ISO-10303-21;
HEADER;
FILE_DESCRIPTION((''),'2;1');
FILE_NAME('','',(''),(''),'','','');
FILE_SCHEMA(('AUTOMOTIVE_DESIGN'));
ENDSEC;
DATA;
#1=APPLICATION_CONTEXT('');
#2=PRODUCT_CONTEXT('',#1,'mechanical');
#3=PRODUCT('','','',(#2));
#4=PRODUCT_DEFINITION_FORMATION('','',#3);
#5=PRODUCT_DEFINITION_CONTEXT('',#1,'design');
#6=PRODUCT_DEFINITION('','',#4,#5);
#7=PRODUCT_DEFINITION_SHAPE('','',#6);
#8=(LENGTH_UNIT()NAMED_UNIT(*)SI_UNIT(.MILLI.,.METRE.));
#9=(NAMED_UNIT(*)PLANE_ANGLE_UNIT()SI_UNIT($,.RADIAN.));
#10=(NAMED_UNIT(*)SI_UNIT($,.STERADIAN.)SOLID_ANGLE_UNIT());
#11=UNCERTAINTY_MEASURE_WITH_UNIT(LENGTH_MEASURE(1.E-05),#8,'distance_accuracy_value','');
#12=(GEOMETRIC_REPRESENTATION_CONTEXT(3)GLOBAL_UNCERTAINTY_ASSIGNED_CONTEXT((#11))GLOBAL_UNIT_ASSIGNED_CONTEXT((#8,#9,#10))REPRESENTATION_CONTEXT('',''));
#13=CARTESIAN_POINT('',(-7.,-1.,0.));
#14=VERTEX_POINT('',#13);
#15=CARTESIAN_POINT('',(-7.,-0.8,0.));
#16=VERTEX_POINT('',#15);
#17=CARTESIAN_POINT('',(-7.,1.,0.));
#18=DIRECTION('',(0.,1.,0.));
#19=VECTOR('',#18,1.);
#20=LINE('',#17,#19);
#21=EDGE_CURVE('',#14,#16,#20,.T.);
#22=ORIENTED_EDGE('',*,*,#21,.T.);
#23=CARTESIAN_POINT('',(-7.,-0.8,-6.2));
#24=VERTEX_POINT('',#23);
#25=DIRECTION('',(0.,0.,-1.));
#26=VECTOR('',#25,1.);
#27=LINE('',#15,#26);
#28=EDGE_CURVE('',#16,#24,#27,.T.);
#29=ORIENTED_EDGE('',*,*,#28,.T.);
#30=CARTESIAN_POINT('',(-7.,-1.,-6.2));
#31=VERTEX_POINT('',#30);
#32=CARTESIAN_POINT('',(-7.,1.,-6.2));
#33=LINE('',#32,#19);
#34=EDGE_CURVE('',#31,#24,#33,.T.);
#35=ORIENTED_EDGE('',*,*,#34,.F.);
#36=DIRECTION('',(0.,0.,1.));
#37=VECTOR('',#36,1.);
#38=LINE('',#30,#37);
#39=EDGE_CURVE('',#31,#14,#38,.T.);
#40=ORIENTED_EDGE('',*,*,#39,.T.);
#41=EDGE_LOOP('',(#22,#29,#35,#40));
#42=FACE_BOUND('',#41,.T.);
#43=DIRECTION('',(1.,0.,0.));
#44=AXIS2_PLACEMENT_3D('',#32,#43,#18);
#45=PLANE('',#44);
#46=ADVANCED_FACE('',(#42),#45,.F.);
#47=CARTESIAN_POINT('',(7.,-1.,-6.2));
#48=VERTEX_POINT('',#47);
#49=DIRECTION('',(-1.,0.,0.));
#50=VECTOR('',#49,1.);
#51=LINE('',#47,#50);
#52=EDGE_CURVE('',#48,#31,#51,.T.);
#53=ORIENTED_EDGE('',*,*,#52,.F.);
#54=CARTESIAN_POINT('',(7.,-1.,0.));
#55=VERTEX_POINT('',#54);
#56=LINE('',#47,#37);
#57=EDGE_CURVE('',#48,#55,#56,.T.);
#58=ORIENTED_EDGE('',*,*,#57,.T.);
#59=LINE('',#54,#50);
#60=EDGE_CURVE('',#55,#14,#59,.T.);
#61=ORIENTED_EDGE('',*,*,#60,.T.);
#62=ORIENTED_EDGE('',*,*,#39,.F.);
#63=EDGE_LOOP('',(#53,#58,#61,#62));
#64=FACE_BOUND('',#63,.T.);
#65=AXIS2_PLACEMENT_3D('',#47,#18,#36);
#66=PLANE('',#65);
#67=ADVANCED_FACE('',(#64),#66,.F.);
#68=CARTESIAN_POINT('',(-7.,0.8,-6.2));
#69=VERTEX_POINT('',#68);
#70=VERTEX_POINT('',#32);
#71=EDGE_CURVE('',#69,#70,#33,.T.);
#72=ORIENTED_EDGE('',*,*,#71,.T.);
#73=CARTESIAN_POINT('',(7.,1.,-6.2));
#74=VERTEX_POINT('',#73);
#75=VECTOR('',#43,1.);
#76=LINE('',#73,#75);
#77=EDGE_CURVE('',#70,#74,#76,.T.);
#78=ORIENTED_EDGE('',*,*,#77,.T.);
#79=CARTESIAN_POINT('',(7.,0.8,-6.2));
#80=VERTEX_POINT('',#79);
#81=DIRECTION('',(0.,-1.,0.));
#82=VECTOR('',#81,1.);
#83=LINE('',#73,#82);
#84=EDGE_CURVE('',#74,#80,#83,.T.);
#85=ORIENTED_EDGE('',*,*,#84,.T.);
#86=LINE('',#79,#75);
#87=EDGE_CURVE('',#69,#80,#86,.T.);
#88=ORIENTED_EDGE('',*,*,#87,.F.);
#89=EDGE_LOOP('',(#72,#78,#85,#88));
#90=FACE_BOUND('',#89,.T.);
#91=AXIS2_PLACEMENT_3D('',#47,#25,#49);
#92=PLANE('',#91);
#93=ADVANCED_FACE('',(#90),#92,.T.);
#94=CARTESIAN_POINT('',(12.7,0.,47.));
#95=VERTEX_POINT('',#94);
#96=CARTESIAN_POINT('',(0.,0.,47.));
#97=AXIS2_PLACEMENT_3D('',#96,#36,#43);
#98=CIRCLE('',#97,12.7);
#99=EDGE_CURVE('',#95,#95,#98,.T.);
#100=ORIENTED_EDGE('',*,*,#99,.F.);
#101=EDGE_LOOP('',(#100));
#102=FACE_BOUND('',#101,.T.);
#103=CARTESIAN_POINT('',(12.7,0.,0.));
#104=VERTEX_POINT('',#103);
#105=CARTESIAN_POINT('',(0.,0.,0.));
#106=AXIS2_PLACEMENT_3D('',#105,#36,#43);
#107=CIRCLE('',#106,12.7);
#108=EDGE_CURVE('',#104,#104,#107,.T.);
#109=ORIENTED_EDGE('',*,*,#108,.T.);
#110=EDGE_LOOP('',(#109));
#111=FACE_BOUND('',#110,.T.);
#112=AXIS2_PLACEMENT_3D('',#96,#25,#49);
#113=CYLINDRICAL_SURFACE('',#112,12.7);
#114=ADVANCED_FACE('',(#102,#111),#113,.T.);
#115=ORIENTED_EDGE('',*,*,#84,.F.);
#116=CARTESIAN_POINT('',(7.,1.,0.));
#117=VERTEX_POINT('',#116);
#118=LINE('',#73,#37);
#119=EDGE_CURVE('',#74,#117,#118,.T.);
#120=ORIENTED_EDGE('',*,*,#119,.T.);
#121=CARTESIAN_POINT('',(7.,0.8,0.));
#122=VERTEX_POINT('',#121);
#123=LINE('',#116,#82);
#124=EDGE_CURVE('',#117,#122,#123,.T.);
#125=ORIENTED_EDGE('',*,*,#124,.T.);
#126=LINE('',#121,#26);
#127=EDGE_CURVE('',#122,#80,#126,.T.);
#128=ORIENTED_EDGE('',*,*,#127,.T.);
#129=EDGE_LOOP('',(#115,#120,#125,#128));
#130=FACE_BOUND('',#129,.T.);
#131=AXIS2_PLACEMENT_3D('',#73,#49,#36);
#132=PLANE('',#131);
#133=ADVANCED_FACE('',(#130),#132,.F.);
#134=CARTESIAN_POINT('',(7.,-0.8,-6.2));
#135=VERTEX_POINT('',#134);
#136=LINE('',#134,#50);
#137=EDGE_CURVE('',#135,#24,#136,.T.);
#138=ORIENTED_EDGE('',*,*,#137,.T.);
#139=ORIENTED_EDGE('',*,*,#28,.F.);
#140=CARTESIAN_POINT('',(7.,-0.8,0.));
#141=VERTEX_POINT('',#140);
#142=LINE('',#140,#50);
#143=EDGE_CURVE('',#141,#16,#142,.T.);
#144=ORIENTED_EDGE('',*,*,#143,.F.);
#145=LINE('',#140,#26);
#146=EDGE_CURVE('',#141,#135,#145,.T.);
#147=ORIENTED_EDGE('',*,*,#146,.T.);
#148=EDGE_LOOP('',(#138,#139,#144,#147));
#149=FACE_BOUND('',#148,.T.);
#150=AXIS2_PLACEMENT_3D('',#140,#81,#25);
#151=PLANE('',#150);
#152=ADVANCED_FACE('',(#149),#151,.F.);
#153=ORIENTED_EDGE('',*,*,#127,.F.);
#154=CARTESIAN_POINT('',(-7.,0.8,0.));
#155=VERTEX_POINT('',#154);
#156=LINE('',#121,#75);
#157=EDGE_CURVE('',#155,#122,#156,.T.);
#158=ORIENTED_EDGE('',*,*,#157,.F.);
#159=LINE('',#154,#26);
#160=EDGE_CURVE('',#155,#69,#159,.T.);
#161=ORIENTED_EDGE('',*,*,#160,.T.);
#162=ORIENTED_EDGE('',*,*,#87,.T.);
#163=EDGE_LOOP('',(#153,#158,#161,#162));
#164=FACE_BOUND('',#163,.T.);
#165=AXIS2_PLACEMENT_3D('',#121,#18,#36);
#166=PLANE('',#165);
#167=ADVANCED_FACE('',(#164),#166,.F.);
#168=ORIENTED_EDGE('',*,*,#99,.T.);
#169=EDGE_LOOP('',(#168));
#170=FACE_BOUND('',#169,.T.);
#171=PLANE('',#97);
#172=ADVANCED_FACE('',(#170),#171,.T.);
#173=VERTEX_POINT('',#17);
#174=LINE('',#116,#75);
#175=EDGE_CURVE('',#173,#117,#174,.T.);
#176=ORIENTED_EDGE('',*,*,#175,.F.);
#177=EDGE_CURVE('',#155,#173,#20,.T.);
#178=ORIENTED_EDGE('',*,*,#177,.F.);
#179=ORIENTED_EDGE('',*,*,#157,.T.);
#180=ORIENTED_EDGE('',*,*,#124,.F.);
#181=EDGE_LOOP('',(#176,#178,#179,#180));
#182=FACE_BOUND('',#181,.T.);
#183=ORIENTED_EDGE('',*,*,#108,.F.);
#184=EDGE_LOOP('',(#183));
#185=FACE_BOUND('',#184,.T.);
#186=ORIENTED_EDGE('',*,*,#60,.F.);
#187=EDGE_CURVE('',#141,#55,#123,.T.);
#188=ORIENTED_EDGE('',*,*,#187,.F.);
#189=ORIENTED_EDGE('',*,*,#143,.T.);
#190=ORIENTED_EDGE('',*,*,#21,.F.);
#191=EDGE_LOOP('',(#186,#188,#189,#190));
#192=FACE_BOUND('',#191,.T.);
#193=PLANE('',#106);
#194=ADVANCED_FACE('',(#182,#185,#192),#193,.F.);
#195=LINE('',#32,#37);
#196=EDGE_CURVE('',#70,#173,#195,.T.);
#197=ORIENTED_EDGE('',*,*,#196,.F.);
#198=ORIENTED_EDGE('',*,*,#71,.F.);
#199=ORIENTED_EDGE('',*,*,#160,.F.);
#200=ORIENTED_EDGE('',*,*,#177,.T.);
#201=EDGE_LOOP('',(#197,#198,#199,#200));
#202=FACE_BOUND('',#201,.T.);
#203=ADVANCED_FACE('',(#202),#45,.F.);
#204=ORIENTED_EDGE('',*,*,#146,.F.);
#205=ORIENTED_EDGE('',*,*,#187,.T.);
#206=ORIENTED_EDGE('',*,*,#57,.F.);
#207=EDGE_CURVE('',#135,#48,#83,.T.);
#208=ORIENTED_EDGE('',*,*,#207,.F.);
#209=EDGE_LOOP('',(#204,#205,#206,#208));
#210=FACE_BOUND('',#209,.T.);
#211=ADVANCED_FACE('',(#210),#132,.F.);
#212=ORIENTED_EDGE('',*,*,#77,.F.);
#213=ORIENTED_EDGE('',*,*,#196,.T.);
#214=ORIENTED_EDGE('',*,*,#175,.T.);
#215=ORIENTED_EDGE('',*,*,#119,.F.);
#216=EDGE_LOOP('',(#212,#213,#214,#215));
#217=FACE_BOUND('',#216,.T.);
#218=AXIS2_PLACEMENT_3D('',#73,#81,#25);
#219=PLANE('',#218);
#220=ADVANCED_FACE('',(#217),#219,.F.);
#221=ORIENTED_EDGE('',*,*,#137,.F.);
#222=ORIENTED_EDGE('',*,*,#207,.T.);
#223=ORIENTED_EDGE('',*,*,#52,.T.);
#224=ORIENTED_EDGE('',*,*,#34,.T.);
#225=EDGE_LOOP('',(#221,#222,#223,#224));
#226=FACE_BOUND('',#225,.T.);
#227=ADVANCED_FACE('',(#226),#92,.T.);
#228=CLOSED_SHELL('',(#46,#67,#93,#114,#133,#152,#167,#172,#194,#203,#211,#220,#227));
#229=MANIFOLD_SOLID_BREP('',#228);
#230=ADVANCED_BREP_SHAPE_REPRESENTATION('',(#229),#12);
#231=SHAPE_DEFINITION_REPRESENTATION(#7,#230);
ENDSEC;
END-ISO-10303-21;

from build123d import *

# Parameters (mm, degrees)
SKETCH1_R           = 12.7
BOSS_EXTRUDE1_DEPTH = 47
SKETCH2_W           = 14
SKETCH2_H           = 2
BOSS_EXTRUDE2_DEPTH = 6.2
SKETCH3_W           = 14
SKETCH3_H           = 1.6
CUT_EXTRUDE1_DEPTH  = 6.2


with BuildPart() as part:
    # Sketch1 → Boss-Extrude1 (new body)
    with BuildSketch(Plane.XY):
        Circle(SKETCH1_R)
    extrude(amount=BOSS_EXTRUDE1_DEPTH)

    # Sketch2 → Boss-Extrude2 (add)
    with BuildSketch(Plane(origin=(0, 0, 0), x_dir=(-1, 0, 0), z_dir=(0, 0, -1))):
        Rectangle(SKETCH2_W, SKETCH2_H)
    extrude(amount=BOSS_EXTRUDE2_DEPTH)

    # Sketch3 → Cut-Extrude1 (cut)
    with BuildSketch(Plane(origin=(0, 0, -6.2), x_dir=(-1, 0, 0), z_dir=(0, 0, -1))):
        Rectangle(SKETCH3_W, SKETCH3_H)
    extrude(amount=-CUT_EXTRUDE1_DEPTH, mode=Mode.SUBTRACT)


solid = part.part
